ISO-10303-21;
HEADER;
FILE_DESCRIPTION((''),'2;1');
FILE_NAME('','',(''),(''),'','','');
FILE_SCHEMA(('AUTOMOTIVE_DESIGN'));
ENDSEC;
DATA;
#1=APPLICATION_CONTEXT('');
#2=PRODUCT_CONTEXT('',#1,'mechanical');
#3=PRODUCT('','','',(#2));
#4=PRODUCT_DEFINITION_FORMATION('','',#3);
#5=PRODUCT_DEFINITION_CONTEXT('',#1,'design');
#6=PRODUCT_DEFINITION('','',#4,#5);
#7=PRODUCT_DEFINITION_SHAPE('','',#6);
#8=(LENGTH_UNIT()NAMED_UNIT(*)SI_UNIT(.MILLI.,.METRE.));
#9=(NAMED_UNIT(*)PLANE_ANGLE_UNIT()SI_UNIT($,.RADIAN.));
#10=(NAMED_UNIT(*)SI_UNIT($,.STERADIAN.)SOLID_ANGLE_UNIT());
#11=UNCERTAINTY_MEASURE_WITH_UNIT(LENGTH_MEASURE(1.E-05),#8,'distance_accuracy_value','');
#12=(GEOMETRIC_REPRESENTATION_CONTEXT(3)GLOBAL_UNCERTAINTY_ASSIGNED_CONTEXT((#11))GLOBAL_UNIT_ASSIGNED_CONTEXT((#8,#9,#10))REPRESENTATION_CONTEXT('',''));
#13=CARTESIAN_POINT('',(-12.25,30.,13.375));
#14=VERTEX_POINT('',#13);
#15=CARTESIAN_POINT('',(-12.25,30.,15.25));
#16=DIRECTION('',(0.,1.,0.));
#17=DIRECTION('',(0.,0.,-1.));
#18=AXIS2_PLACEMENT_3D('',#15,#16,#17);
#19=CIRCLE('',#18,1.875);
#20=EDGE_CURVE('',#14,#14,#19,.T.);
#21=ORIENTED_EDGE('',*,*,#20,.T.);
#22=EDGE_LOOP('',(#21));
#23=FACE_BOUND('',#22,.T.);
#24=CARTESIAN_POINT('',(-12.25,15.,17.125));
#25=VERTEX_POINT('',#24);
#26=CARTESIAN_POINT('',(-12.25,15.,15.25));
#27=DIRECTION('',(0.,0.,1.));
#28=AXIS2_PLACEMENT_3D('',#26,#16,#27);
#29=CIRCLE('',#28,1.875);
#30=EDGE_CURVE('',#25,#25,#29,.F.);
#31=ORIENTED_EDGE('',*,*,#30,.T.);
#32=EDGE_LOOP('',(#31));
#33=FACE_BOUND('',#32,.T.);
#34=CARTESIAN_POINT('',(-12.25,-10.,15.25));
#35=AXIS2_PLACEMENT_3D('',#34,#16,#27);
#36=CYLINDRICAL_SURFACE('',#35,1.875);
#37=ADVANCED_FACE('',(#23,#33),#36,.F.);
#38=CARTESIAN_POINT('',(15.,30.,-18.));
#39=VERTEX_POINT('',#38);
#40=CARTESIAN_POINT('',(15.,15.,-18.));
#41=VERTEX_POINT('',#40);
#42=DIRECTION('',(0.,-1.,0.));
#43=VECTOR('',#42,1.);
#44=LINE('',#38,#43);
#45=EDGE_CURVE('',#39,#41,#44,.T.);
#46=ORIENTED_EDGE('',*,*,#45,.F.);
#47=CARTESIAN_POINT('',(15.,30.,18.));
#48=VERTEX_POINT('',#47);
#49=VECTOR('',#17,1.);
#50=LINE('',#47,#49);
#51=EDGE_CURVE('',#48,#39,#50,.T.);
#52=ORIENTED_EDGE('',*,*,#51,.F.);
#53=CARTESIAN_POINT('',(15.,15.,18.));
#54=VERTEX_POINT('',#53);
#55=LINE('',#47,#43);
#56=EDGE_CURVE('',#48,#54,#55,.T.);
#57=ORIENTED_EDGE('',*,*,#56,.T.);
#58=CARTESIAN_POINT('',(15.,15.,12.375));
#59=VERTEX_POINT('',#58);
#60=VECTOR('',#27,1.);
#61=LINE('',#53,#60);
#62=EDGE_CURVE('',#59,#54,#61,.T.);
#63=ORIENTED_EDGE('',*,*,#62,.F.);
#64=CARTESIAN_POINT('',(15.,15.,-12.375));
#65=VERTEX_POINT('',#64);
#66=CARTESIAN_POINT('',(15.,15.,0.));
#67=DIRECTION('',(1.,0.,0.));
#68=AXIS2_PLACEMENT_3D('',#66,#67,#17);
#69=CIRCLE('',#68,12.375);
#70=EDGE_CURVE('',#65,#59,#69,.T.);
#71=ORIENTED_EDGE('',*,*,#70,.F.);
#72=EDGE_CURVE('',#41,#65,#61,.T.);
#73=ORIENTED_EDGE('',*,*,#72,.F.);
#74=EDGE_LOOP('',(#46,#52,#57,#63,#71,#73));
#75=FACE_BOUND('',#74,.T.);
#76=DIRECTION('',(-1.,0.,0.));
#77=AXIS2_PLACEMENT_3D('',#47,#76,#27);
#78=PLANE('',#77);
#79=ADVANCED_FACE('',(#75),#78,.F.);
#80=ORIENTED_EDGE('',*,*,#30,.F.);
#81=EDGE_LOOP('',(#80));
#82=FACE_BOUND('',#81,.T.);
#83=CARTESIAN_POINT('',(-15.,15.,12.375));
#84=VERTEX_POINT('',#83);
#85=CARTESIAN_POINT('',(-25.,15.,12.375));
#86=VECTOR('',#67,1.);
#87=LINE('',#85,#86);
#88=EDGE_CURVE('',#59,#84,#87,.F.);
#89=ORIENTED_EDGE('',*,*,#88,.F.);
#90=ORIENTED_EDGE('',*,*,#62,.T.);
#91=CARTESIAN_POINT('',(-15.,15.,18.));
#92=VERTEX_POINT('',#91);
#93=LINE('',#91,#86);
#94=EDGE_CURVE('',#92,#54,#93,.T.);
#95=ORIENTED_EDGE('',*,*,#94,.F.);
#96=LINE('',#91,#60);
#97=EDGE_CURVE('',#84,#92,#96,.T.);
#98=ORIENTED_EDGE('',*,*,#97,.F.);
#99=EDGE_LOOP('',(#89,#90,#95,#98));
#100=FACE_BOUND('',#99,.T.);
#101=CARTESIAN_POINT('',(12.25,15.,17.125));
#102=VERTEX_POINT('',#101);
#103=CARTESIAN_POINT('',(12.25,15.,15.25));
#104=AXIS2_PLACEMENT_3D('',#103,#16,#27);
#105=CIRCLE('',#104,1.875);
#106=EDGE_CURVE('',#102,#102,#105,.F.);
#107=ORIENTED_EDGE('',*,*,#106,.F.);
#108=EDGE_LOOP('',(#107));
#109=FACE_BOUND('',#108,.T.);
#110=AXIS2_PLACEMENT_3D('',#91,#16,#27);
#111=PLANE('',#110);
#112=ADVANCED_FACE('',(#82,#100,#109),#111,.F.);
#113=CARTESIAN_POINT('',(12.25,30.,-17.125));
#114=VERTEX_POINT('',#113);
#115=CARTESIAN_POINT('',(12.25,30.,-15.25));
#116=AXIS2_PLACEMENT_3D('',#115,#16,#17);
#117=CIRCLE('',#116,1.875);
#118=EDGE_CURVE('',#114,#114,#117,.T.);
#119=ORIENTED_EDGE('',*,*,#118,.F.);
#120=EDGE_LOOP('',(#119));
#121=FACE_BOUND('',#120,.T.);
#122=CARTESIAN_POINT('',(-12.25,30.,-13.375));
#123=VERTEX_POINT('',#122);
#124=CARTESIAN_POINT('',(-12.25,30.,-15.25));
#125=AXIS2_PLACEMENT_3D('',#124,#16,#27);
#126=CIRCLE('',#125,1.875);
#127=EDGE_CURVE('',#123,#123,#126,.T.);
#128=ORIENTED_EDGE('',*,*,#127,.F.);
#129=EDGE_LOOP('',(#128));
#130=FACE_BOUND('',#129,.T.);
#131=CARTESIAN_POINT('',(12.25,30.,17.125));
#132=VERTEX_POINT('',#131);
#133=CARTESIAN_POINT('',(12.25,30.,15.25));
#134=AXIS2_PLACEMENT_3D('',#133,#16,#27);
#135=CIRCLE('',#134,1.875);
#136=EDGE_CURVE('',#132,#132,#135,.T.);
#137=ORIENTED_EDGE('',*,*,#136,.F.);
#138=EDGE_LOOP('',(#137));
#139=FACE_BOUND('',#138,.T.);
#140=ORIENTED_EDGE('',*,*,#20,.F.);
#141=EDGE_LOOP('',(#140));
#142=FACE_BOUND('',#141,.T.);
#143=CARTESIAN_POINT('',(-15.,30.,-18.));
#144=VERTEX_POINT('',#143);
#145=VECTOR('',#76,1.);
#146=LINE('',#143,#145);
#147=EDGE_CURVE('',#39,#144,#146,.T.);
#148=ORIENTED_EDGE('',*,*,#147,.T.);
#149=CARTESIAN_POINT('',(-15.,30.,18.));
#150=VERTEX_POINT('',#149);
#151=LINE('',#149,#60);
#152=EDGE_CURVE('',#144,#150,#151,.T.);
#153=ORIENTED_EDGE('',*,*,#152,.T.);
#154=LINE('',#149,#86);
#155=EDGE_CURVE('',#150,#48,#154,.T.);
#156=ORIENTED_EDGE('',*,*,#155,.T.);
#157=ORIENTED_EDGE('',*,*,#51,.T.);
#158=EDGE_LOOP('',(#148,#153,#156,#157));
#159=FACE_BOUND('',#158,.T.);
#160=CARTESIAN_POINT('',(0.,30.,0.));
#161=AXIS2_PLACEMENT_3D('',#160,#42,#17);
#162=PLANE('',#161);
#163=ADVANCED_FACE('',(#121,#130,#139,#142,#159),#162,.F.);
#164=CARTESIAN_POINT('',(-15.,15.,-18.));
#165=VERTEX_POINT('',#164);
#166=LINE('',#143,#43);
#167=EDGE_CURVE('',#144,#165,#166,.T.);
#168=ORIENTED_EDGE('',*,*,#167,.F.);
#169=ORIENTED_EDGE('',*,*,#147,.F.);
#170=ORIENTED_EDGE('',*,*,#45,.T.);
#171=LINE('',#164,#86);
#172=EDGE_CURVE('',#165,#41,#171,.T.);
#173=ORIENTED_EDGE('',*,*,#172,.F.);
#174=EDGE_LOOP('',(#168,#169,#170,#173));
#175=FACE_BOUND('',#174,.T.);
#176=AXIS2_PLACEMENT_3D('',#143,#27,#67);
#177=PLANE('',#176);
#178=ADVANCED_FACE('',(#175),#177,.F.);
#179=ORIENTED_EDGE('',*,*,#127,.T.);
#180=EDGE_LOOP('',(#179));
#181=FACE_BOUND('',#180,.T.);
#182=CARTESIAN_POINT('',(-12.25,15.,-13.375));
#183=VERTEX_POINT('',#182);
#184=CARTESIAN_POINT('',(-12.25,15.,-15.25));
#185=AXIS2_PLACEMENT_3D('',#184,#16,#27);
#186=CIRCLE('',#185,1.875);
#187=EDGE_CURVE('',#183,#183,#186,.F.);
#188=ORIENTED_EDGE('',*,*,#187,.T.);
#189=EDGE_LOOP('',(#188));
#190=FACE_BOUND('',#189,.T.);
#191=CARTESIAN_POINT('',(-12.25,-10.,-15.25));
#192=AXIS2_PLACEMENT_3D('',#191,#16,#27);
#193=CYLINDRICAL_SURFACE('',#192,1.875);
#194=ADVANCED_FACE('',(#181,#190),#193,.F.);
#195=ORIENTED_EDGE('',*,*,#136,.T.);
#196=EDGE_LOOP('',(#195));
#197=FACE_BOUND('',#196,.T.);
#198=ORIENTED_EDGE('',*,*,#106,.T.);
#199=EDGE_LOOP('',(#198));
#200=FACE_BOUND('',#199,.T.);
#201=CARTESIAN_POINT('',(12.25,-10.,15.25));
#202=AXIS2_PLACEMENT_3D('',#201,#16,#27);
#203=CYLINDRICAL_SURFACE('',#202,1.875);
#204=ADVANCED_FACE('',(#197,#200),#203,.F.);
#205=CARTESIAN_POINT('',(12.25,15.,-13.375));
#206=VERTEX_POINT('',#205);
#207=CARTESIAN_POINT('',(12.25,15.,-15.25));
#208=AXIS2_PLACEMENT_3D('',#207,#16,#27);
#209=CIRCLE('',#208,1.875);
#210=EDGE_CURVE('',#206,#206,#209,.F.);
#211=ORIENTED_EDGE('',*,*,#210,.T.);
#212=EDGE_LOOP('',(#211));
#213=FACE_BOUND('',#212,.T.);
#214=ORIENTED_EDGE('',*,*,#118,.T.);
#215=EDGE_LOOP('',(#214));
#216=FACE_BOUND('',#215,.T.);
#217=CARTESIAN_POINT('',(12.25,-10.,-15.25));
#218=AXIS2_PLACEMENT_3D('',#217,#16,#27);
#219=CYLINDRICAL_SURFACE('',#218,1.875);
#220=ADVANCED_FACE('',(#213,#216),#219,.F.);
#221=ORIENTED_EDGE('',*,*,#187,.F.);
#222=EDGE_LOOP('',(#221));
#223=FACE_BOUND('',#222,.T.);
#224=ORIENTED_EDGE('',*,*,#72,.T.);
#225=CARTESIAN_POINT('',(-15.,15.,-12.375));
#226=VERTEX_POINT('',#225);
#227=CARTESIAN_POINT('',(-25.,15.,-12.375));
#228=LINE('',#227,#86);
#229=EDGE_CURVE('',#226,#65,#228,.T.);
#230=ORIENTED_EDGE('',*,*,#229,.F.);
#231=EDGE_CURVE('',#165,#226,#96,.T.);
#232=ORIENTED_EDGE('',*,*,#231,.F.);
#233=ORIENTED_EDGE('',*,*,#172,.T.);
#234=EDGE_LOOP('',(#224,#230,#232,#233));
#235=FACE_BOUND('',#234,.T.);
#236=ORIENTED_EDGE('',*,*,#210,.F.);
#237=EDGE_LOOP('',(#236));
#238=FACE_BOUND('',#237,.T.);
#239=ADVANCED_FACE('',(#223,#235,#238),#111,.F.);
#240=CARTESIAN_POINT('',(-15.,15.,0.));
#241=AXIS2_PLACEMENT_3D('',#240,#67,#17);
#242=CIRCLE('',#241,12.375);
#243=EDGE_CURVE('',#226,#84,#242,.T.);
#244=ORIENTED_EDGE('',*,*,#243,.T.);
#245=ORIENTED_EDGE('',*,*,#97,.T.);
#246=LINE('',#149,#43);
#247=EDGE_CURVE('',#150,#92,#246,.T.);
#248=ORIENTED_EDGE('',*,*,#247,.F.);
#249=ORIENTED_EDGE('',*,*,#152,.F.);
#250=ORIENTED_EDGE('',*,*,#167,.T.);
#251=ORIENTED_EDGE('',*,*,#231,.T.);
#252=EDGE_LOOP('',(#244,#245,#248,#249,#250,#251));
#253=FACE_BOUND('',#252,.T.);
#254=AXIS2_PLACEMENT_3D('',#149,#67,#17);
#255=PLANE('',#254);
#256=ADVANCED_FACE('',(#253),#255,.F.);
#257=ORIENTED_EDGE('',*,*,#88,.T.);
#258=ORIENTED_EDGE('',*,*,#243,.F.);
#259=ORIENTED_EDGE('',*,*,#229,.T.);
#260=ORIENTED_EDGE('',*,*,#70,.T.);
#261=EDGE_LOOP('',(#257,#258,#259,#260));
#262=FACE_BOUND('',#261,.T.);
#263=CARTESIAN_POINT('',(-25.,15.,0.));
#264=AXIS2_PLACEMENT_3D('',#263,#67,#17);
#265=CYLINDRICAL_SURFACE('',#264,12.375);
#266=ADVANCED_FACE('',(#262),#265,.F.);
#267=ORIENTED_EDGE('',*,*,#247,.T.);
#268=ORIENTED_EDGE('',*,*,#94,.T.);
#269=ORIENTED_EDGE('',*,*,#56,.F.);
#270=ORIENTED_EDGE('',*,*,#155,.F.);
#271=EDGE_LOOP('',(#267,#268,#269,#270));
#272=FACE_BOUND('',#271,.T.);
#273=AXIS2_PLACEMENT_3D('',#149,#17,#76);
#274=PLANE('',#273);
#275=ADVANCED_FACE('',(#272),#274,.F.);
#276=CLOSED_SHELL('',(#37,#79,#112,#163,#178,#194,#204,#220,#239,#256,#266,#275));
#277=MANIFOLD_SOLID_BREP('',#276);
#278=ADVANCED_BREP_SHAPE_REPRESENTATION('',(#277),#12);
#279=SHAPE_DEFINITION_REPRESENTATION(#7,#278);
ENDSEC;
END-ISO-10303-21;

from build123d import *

# Parameters (mm, degrees)
SKETCH1_W           = 30
SKETCH1_H           = 36
BOSS_EXTRUDE1_DEPTH = 30
SKETCH3_R           = 12.375
CUT_EXTRUDE1_DEPTH  = 40
SKETCH5_R           = 1.875
CUT_EXTRUDE2_DEPTH  = 40
CUT_EXTRUDE3_START  = 15
SKETCH7_W           = 36
SKETCH7_H           = 15
CUT_EXTRUDE3_DEPTH  = 31


with BuildPart() as part:
    # Sketch1 → Boss-Extrude1 (new body)
    with BuildSketch(Plane(origin=(0, 0, 0), x_dir=(1, 0, 0), z_dir=(0, 1, 0))):
        Rectangle(SKETCH1_W, SKETCH1_H)
    extrude(amount=BOSS_EXTRUDE1_DEPTH)

    # Sketch3 → Cut-Extrude1 (cut)
    with BuildSketch(Plane(origin=(15, 0, 0), x_dir=(0, 0, -1), z_dir=(1, 0, 0))):
        with Locations((0, 15)):
            Circle(SKETCH3_R)
    extrude(amount=-CUT_EXTRUDE1_DEPTH, mode=Mode.SUBTRACT)

    # Sketch5 → Cut-Extrude2 (cut)
    with BuildSketch(Plane(origin=(0, 30, 0), x_dir=(1, 0, 0), z_dir=(0, 1, 0))):
        with Locations((-12.25, 15.25)):
            Circle(SKETCH5_R)
        with Locations((-12.25, -15.25)):
            Circle(SKETCH5_R)
        with Locations((12.25, -15.25)):
            Circle(SKETCH5_R)
        with Locations((12.25, 15.25)):
            Circle(SKETCH5_R)
    extrude(amount=-CUT_EXTRUDE2_DEPTH, mode=Mode.SUBTRACT)

    # Sketch7 → Cut-Extrude3 (cut, through all)
    with BuildSketch(Plane(origin=(0, 0, 0), x_dir=(0, 0, -1), z_dir=(1, 0, 0)).offset(CUT_EXTRUDE3_START)):
        with Locations((0, 7.5)):
            Rectangle(SKETCH7_W, SKETCH7_H)
    extrude(amount=-CUT_EXTRUDE3_DEPTH, mode=Mode.SUBTRACT)


solid = part.part
